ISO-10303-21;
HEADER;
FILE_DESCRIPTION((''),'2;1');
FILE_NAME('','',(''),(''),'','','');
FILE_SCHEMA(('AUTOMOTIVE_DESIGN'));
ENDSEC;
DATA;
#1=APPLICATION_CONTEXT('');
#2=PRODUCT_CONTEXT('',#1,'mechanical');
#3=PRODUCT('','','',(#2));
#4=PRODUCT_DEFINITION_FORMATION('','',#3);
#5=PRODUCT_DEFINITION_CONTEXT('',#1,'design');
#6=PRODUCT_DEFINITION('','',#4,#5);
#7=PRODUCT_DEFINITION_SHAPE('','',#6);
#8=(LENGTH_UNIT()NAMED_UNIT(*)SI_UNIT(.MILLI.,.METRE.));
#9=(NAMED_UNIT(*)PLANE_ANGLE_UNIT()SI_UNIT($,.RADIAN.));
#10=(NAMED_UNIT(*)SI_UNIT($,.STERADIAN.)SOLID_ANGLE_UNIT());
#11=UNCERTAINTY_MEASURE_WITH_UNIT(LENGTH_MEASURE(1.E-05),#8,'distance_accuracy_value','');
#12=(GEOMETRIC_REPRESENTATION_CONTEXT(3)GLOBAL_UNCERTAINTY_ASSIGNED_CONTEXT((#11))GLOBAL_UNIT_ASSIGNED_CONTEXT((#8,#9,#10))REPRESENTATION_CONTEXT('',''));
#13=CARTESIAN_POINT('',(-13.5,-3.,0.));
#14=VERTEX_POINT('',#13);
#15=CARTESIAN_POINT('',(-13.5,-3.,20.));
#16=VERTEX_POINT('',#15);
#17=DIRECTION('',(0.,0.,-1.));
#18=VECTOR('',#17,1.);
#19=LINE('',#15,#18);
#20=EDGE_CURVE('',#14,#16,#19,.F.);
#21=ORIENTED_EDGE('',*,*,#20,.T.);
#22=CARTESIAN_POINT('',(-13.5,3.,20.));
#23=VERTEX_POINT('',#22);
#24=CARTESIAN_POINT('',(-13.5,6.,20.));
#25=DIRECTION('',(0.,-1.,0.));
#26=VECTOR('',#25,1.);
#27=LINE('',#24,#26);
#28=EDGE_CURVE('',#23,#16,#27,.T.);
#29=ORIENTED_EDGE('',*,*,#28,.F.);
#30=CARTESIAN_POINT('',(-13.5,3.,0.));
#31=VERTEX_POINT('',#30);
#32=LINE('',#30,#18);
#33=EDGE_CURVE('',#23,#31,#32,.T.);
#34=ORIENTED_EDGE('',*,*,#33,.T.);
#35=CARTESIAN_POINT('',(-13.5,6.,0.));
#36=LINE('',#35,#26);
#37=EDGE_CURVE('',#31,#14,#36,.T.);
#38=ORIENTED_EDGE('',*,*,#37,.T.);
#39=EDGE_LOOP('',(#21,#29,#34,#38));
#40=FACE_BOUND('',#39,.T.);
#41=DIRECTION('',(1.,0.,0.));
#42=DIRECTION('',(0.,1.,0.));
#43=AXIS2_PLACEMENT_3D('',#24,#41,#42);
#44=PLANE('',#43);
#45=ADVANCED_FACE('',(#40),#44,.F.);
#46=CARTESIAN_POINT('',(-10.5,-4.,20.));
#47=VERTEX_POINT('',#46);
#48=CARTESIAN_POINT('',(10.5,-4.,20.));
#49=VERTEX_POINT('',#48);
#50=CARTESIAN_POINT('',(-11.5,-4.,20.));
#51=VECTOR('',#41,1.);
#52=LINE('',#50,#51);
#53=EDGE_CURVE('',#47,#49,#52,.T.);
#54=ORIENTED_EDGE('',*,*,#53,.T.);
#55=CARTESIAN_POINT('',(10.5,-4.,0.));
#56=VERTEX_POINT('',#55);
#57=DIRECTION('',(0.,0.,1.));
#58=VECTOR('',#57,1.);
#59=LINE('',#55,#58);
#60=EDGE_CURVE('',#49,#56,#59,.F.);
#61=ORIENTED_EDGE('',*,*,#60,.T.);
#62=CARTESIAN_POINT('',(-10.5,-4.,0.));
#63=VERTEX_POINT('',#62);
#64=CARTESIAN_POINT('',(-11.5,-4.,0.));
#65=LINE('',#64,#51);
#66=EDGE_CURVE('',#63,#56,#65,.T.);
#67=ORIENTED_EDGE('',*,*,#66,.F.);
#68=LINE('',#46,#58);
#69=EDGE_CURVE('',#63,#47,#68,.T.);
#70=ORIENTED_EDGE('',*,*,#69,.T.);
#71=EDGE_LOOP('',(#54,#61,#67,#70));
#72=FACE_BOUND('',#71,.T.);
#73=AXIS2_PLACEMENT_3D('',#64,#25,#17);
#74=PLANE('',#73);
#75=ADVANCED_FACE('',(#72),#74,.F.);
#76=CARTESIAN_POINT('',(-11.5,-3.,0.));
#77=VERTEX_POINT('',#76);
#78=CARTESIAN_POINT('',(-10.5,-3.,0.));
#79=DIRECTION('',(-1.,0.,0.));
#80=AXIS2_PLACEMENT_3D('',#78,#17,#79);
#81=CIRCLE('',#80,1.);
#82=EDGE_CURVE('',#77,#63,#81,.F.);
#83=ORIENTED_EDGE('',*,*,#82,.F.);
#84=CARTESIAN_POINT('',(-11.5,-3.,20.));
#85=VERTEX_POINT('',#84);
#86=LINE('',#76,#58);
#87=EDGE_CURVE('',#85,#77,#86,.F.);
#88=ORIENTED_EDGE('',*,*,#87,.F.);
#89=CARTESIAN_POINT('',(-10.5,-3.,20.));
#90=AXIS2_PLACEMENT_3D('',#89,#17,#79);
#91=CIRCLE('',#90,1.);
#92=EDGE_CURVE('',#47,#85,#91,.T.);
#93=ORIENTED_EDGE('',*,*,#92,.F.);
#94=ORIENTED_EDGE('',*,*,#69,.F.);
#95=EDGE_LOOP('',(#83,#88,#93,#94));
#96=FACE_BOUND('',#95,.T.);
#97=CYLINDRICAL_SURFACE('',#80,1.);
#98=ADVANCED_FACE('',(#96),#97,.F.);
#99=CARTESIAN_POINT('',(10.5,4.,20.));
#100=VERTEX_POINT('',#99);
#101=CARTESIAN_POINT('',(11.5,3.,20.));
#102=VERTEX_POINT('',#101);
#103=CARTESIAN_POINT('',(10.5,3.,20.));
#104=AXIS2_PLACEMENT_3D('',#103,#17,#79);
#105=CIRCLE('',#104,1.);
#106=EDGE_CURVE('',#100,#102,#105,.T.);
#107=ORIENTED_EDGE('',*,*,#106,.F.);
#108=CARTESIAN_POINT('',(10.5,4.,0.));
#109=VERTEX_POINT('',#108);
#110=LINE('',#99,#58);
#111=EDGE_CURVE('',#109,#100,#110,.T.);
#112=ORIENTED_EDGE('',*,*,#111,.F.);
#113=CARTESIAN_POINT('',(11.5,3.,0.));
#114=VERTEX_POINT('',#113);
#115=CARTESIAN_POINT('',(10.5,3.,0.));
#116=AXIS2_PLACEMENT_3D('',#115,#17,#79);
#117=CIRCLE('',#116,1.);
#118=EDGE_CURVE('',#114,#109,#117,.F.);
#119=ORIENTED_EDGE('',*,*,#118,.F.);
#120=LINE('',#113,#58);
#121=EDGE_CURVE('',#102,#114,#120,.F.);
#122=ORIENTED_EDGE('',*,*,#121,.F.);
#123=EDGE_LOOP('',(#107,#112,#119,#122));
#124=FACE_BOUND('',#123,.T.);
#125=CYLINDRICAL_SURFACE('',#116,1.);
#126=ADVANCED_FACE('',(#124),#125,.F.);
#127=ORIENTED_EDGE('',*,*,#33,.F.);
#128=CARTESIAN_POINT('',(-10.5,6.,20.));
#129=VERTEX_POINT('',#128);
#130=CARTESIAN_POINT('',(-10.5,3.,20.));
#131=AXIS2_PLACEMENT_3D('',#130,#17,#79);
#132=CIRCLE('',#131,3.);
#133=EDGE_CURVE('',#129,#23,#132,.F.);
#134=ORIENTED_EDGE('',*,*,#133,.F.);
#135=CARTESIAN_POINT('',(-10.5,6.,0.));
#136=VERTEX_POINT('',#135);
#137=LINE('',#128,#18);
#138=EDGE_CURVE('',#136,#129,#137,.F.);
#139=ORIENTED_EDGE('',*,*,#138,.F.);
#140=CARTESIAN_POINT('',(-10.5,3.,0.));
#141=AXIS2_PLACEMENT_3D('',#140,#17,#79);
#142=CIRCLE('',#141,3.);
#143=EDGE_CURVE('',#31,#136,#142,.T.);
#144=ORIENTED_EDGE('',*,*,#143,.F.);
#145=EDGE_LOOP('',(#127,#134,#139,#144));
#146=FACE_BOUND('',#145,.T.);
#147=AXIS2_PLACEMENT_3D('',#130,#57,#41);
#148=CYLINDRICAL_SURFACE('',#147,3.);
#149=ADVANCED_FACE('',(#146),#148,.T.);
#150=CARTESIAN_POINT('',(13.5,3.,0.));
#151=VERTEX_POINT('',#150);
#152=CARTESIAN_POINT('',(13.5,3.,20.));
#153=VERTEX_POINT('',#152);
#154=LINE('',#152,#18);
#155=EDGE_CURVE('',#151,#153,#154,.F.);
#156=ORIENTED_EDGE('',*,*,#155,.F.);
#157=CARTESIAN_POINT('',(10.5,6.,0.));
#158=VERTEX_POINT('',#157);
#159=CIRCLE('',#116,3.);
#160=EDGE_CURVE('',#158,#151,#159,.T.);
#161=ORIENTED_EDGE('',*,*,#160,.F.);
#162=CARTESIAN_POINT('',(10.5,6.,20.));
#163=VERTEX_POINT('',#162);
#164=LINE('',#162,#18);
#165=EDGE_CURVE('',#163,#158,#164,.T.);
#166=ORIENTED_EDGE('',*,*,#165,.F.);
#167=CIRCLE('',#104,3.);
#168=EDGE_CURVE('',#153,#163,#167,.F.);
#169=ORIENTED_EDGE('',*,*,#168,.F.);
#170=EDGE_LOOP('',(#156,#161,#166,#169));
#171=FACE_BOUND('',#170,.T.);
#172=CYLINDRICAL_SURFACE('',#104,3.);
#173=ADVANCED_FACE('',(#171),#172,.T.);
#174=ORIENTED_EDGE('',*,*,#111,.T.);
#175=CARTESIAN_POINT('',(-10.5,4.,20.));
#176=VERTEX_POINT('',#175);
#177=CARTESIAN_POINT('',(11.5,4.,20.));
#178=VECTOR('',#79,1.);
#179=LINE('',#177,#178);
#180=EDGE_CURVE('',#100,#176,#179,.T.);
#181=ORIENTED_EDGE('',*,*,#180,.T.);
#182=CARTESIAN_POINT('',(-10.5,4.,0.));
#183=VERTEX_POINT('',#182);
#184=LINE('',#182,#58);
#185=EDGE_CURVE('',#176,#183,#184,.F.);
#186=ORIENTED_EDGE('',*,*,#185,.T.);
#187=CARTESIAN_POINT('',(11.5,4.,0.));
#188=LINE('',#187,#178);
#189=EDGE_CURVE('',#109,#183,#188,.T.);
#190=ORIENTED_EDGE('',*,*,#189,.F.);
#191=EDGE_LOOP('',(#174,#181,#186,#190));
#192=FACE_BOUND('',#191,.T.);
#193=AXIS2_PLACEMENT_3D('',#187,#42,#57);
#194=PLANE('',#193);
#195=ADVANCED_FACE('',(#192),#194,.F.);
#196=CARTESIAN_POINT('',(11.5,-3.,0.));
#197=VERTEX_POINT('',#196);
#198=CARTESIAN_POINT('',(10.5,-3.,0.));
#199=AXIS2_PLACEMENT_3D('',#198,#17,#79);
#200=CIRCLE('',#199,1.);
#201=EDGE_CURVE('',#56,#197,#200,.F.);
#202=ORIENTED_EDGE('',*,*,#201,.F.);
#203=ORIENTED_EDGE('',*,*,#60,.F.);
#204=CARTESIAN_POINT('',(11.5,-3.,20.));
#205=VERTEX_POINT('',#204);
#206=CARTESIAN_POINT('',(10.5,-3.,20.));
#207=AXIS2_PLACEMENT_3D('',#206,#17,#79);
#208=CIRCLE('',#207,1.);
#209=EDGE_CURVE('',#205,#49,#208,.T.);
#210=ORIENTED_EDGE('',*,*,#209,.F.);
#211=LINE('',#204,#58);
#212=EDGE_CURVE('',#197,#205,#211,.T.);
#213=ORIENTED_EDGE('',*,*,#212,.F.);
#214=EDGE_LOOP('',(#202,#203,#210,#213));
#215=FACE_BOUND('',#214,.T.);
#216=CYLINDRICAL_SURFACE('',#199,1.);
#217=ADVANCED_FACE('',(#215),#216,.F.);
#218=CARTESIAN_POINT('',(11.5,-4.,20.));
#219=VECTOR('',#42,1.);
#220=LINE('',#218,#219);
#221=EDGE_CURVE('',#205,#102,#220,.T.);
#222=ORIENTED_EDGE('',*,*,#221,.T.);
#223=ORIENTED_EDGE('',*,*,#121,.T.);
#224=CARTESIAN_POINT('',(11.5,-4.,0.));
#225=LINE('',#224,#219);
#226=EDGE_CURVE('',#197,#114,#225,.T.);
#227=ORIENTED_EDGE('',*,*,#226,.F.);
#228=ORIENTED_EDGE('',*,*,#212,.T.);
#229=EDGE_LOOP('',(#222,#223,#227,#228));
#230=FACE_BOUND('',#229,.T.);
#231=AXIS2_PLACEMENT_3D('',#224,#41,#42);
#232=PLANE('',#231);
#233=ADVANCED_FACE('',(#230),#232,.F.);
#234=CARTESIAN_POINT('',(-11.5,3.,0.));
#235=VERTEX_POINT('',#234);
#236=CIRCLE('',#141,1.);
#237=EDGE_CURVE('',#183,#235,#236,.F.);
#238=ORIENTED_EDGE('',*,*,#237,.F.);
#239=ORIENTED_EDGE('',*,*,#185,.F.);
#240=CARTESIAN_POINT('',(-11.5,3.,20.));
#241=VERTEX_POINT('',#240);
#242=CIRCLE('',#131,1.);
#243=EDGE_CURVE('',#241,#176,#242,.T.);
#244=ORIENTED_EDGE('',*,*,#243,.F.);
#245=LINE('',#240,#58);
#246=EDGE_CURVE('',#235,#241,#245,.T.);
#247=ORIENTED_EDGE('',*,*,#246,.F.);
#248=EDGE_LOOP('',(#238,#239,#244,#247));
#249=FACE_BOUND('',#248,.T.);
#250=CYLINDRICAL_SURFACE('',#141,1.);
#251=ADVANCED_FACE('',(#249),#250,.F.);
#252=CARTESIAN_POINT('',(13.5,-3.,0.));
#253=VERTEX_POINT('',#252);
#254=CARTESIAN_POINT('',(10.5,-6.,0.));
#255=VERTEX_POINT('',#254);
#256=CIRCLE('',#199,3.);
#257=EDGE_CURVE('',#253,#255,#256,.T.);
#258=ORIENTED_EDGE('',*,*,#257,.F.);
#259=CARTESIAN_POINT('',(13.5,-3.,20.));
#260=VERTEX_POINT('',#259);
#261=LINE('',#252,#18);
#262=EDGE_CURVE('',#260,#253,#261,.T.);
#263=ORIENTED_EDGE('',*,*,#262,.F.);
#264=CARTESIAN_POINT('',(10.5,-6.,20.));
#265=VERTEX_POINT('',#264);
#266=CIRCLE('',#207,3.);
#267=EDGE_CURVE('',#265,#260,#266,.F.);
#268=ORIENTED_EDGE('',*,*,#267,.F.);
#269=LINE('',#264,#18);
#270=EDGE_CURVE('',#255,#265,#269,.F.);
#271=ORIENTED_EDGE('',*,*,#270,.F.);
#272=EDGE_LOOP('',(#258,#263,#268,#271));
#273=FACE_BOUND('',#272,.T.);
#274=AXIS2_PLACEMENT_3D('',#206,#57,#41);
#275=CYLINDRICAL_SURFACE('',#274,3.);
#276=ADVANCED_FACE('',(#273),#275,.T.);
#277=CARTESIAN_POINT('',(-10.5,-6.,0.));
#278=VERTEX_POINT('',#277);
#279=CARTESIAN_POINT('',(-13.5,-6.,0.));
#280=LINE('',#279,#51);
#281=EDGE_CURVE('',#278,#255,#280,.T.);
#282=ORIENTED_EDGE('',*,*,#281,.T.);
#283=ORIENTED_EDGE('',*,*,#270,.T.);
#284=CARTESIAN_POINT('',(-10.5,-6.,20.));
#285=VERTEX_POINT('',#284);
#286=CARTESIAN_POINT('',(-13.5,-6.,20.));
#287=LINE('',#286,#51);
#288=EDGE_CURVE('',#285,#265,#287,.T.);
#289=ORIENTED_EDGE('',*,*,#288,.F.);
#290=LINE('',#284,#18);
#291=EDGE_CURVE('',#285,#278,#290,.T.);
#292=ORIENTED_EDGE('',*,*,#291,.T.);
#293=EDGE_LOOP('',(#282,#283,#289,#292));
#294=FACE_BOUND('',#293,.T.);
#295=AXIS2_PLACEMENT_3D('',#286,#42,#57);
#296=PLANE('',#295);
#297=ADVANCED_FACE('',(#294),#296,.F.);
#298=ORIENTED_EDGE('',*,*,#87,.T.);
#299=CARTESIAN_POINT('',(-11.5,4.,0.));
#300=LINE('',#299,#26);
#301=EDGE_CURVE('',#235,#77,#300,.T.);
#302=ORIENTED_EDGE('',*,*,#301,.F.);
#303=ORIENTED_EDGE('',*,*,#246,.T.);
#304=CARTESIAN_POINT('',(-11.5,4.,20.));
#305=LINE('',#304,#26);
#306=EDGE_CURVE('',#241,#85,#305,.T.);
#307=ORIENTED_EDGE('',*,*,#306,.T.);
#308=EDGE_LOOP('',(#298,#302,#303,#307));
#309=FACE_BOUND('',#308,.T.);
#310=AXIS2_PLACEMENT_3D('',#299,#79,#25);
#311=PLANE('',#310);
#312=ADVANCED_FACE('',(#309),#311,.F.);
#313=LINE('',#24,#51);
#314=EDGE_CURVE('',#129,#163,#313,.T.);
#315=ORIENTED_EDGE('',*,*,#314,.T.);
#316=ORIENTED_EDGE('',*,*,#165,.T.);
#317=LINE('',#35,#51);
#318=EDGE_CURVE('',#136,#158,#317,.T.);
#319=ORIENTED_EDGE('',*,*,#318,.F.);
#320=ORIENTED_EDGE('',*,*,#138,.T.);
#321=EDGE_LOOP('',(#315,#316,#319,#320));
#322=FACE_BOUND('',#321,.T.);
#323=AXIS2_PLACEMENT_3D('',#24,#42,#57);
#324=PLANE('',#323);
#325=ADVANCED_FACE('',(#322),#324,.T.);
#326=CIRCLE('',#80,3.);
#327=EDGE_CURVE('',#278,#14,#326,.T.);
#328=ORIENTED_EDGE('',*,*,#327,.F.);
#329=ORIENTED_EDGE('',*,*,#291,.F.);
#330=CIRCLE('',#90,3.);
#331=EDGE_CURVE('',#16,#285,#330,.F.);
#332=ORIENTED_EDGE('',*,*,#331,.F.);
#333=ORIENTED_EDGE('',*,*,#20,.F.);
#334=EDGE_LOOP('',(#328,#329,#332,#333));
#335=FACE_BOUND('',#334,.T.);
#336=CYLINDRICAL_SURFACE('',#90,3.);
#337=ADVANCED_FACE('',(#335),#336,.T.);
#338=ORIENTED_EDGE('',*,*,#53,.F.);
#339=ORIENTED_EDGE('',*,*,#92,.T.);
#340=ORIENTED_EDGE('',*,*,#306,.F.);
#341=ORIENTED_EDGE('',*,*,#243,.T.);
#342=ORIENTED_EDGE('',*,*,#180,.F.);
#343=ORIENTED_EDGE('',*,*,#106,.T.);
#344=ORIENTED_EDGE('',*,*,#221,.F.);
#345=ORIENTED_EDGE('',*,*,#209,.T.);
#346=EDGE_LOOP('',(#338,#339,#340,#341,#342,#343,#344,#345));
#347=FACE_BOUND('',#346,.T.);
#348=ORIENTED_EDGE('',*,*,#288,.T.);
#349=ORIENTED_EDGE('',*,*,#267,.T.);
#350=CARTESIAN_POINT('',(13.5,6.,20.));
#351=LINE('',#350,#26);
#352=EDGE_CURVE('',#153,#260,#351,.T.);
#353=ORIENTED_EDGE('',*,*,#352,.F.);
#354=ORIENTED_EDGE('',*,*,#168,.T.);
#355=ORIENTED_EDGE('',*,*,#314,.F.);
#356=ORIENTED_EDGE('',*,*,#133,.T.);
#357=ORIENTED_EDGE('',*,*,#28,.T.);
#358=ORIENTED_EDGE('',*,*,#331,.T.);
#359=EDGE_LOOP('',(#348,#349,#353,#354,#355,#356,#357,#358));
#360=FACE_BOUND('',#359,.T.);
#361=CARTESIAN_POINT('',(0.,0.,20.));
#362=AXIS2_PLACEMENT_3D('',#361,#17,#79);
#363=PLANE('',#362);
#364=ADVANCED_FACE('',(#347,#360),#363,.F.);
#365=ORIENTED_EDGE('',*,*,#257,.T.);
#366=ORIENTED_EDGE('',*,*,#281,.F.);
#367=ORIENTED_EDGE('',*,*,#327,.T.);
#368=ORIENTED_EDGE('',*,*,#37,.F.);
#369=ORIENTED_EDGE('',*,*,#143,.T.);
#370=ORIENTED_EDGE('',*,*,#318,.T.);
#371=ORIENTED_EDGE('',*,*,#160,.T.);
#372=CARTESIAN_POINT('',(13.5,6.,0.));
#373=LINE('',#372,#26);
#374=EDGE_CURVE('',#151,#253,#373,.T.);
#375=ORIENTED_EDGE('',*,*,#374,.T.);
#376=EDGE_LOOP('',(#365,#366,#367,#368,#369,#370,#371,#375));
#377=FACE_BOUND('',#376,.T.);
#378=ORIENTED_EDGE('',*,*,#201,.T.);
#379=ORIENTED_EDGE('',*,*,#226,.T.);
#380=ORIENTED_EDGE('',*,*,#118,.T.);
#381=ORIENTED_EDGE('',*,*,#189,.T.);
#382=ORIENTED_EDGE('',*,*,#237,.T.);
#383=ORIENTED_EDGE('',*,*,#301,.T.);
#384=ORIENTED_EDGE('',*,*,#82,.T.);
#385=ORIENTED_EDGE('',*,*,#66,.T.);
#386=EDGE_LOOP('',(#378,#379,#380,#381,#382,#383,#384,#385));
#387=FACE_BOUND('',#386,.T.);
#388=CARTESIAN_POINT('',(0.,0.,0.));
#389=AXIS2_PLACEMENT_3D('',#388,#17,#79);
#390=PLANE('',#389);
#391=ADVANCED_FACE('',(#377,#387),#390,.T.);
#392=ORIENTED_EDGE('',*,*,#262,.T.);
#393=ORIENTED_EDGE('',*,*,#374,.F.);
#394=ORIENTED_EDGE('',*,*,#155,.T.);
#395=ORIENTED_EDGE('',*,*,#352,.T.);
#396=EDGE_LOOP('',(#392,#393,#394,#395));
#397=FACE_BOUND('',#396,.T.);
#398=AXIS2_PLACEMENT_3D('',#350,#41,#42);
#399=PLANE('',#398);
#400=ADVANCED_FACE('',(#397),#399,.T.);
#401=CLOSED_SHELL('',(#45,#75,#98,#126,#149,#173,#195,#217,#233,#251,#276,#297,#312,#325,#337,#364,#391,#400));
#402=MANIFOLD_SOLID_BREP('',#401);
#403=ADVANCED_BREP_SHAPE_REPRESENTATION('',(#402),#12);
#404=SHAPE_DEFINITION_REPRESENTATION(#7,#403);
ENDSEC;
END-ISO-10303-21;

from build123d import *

# Parameters (mm, degrees)
CROQUIS1_W              = 27
CROQUIS1_H              = 12
SALIENTE_EXTRUIR1_DEPTH = 20
CROQUIS2_W              = 23
CROQUIS2_H              = 8
CORTAR_EXTRUIR1_DEPTH   = 20
REDONDEO1_R             = 3
REDONDEO2_R             = 1


with BuildPart() as part:
    # Croquis1 → Saliente-Extruir1 (new body)
    with BuildSketch(Plane.XY):
        Rectangle(CROQUIS1_W, CROQUIS1_H)
    extrude(amount=SALIENTE_EXTRUIR1_DEPTH)

    # Croquis2 → Cortar-Extruir1 (cut)
    with BuildSketch(Plane.XY.offset(20)):
        Rectangle(CROQUIS2_W, CROQUIS2_H)
    extrude(amount=-CORTAR_EXTRUIR1_DEPTH, mode=Mode.SUBTRACT)

    # Redondeo1
    redondeo1_edges = [part.edges().sort_by_distance(p)[0] for p in [
        (-13.5, 6, 10),
        (-13.5, -6, 10),
        (13.5, -6, 10),
        (13.5, 6, 10),
    ]]
    fillet(redondeo1_edges, radius=REDONDEO1_R)

    # Redondeo2
    redondeo2_edges = [part.edges().sort_by_distance(p)[0] for p in [
        (11.5, 4, 10),
        (11.5, -4, 10),
        (-11.5, -4, 10),
        (-11.5, 4, 10),
    ]]
    fillet(redondeo2_edges, radius=REDONDEO2_R)


solid = part.part
